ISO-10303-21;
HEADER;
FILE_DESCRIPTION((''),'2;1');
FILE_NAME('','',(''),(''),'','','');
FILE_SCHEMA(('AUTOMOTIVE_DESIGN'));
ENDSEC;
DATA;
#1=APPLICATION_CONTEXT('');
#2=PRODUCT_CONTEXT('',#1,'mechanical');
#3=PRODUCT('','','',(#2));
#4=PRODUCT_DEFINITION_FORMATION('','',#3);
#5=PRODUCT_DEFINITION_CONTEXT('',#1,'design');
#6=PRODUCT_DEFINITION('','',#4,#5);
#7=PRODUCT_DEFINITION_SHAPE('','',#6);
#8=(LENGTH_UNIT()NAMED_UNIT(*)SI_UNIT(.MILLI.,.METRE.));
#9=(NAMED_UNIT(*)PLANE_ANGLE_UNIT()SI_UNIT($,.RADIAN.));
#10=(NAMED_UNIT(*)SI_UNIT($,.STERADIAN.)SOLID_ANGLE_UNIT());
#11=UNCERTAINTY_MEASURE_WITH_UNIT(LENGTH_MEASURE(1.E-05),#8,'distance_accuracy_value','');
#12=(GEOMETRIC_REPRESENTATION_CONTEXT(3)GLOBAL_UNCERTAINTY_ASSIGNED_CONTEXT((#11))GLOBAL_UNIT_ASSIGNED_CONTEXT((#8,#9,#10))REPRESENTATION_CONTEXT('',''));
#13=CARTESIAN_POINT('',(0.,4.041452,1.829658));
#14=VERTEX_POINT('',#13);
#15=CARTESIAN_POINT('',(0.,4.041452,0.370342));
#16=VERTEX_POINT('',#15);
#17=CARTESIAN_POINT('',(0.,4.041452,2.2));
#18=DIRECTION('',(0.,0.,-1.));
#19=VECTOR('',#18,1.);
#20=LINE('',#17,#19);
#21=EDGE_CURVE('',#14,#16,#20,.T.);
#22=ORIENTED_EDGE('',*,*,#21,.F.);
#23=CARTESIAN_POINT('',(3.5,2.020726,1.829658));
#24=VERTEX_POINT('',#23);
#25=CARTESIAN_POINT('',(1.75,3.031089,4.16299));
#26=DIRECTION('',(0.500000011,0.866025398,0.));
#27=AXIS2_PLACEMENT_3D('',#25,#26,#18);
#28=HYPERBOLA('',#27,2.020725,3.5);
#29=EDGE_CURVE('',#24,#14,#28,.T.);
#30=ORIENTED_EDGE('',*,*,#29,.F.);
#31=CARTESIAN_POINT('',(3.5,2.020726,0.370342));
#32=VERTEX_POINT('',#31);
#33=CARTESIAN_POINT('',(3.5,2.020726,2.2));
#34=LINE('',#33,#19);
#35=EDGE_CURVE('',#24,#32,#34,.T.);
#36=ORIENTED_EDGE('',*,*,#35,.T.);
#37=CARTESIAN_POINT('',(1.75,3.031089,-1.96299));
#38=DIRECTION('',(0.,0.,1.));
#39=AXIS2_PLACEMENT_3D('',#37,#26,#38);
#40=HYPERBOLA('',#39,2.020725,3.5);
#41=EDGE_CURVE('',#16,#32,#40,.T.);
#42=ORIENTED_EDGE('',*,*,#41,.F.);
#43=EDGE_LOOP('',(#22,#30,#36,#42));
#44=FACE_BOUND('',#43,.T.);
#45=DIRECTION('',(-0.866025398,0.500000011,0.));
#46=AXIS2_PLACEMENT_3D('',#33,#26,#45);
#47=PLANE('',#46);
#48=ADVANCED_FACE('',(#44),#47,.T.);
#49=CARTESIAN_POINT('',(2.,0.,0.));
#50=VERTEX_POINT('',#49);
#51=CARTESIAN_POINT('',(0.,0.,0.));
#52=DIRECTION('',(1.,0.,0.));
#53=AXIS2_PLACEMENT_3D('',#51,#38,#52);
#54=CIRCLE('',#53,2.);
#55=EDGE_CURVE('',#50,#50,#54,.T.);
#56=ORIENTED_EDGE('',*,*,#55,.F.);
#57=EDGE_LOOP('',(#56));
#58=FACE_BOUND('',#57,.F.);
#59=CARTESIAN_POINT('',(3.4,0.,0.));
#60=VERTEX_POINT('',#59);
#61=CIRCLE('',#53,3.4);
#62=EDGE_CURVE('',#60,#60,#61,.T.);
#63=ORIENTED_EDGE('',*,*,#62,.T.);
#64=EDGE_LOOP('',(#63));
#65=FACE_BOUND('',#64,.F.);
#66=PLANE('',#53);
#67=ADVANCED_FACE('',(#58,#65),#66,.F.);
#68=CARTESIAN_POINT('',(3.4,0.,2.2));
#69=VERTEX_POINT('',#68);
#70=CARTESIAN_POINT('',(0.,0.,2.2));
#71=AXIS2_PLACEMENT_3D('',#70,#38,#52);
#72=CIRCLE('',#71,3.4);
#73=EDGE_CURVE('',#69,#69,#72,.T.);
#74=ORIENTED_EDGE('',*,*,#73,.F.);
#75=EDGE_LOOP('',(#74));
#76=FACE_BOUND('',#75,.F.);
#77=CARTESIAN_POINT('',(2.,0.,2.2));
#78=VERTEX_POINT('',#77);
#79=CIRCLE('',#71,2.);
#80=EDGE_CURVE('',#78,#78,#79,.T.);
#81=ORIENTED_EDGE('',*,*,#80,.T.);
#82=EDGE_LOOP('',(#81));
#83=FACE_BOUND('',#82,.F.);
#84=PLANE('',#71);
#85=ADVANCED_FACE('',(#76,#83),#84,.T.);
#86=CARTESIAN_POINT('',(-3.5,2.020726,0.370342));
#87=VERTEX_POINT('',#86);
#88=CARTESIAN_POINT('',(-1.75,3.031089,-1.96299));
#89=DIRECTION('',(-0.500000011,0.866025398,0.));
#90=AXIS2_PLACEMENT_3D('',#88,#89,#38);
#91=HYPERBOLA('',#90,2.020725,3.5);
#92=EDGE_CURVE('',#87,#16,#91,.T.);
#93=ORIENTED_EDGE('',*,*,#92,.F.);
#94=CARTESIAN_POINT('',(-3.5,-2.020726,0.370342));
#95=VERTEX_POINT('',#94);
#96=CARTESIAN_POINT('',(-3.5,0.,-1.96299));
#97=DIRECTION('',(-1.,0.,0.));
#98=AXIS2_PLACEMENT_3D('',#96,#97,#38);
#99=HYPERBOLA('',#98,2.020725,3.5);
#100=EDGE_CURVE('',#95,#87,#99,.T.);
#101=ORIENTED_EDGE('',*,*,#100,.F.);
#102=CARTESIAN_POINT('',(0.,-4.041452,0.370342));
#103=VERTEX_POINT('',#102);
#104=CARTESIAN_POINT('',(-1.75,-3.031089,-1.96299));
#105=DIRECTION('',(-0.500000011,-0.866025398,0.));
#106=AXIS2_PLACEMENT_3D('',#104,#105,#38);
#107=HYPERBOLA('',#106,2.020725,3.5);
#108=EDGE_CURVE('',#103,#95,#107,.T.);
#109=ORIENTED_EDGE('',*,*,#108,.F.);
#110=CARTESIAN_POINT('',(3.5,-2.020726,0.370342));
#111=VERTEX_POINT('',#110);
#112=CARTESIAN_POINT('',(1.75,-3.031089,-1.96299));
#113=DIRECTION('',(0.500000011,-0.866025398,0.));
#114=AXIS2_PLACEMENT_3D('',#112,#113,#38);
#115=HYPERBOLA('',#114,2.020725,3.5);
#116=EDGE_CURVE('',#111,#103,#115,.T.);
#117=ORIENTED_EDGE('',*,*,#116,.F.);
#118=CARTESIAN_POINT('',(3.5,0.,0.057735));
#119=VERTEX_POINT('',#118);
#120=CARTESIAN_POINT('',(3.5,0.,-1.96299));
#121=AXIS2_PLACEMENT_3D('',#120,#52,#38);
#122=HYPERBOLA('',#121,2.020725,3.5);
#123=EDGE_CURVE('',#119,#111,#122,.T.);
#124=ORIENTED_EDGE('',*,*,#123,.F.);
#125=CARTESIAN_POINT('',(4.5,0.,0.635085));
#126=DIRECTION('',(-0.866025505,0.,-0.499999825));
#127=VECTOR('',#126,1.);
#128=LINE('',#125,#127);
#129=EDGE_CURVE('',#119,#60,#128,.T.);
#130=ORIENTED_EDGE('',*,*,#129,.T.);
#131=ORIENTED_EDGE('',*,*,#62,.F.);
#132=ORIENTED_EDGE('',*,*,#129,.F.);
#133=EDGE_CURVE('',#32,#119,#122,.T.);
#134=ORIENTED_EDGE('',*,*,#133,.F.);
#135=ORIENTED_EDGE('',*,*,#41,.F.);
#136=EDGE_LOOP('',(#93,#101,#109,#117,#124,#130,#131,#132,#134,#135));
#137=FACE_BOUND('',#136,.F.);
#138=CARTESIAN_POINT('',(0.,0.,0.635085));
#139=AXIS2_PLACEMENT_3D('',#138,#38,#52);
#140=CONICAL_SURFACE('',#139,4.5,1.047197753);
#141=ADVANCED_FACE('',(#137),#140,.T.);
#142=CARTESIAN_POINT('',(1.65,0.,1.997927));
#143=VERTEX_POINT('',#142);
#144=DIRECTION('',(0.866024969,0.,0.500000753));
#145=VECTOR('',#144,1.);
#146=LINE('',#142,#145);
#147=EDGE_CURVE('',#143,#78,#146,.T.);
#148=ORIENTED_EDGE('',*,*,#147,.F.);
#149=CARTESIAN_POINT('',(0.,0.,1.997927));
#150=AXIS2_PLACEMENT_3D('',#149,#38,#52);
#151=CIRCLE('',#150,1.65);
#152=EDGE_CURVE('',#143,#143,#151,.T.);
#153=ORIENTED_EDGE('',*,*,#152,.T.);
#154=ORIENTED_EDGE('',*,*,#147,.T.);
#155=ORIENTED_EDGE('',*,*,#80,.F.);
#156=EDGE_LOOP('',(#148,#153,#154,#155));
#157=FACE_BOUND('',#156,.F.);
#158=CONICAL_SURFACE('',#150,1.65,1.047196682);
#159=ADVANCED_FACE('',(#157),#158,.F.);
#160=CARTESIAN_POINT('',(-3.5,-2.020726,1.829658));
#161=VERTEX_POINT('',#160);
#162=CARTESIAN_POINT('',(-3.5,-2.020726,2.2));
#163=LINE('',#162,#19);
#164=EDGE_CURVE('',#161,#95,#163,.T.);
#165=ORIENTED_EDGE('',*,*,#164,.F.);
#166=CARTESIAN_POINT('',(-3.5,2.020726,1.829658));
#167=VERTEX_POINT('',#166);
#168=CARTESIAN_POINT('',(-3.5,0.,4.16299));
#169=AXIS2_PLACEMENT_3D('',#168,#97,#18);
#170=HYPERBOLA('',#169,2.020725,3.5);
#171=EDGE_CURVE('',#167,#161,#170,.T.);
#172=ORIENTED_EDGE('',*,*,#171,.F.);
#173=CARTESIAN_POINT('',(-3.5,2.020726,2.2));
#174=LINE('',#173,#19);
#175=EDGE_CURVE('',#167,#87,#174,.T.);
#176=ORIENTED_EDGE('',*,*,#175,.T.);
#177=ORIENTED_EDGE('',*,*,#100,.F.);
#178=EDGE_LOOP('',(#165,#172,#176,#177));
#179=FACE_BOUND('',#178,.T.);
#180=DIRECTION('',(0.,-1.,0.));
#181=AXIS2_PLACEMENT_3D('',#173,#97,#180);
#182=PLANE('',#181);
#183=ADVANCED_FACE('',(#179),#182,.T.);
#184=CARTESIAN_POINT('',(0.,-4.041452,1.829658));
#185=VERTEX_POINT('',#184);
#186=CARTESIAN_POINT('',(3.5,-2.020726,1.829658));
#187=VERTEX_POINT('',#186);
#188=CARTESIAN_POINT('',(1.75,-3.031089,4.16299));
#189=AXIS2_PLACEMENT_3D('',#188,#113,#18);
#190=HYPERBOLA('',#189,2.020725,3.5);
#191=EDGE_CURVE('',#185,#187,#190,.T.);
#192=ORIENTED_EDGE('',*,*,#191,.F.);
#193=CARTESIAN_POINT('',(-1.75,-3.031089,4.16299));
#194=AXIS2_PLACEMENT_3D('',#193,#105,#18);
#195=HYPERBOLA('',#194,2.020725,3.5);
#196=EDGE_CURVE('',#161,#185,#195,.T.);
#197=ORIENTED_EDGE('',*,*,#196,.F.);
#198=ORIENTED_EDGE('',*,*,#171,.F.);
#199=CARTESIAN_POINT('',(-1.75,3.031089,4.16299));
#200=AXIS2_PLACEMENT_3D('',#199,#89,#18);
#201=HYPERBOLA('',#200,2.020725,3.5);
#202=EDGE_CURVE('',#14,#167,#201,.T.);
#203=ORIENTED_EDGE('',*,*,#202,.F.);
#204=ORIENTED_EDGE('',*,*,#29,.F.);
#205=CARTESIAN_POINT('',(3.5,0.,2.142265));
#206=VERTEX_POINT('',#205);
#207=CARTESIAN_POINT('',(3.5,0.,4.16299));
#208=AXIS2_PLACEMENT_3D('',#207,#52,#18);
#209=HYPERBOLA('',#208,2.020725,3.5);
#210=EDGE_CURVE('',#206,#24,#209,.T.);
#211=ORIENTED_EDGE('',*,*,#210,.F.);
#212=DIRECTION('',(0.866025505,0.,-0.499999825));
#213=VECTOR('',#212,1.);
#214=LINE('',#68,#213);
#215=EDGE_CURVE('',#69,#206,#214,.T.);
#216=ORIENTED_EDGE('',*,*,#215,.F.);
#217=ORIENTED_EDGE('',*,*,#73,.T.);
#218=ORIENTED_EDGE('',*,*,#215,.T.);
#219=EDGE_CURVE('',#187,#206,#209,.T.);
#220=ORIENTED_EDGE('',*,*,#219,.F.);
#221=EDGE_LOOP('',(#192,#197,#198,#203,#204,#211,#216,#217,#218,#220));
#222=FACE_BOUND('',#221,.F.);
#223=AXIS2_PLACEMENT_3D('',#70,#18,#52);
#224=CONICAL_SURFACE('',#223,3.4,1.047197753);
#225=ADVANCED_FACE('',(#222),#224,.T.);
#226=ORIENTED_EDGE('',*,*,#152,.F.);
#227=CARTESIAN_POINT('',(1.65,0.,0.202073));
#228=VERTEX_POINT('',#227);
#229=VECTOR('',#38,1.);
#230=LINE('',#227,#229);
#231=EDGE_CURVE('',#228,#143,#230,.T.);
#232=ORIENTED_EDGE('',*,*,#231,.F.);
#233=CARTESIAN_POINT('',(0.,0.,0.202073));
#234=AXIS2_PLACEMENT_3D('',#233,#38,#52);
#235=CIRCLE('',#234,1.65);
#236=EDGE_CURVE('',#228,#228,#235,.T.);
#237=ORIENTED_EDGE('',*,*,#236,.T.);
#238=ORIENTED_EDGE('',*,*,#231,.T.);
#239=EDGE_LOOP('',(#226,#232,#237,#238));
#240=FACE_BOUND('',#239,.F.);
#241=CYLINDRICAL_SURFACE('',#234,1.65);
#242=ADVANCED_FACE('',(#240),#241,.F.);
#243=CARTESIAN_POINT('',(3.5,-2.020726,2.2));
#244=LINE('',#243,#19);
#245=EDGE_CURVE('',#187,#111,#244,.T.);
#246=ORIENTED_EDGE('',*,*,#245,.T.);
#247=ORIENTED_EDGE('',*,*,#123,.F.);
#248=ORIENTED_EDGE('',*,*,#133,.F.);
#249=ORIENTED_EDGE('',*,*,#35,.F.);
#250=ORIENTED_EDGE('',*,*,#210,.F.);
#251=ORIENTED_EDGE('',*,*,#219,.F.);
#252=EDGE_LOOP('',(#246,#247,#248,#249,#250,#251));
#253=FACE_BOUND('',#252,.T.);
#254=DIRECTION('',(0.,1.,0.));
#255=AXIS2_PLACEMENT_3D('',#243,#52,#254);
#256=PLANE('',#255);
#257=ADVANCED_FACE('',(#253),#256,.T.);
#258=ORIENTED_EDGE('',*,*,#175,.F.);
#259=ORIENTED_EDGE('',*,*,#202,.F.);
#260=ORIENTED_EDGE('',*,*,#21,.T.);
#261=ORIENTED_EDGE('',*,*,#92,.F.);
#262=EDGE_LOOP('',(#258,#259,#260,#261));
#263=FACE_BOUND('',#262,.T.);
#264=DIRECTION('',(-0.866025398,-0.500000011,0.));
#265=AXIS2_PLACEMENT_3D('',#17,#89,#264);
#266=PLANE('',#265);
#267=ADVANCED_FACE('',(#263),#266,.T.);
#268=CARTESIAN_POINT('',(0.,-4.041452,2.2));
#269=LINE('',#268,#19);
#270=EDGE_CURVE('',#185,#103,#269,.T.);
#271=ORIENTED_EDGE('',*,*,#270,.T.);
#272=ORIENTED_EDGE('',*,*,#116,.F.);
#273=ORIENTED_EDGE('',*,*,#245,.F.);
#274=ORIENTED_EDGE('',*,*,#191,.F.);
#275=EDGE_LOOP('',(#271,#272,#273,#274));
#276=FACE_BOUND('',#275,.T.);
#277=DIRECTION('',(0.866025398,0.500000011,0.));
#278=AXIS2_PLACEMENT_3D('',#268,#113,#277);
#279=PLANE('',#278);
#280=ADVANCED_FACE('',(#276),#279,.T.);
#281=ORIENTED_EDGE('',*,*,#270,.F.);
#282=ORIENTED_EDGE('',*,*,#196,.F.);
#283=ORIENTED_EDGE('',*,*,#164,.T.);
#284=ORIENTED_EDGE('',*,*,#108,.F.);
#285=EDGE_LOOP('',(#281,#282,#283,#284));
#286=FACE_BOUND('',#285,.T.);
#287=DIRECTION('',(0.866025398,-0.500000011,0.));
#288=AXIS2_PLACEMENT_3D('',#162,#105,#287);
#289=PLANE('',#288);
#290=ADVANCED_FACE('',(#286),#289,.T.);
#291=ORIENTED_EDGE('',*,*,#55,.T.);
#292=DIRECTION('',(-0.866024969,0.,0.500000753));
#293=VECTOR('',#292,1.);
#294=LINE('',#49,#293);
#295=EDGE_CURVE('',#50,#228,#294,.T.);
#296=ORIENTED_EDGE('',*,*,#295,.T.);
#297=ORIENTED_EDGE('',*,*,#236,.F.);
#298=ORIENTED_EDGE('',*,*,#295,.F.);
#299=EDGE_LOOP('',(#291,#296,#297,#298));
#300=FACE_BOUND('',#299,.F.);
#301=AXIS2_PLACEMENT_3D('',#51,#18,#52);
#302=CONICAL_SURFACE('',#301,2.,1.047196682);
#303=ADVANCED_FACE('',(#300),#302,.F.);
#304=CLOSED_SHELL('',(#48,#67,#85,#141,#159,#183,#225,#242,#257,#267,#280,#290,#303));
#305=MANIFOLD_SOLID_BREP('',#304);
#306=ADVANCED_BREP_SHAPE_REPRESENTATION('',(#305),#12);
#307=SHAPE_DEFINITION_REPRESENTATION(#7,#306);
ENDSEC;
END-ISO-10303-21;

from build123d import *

# Parameters (mm, degrees)
SKETCH001_R  = 4.5
POCKET_DEPTH = 2.2


with BuildPart() as part:
    # Sketch → Revolution (revolve)
    with BuildSketch(Plane.XZ):
        Polygon((2, 0), (1.65, 0.202073), (1.65, 1.997927), (2, 2.2), (3.4, 2.2), (4.5, 1.564915), (4.5, 0.635085), (3.4, 0), align=None)
    revolve(axis=Axis((0, 0, 0), (0, 0, 1)))

    # Sketch001 → Pocket (cut)
    with BuildSketch(Plane(origin=(0, 0, 2.2), x_dir=(-1, 0, 0), z_dir=(0, 0, 1))):
        Circle(SKETCH001_R)
        Polygon((-3.5, 2.020726), (-3.5, -2.020726), (0, -4.041452), (3.5, -2.020726), (3.5, 2.020726), (0, 4.041452), align=None, mode=Mode.SUBTRACT)
    extrude(amount=-POCKET_DEPTH, mode=Mode.SUBTRACT)


solid = part.part
